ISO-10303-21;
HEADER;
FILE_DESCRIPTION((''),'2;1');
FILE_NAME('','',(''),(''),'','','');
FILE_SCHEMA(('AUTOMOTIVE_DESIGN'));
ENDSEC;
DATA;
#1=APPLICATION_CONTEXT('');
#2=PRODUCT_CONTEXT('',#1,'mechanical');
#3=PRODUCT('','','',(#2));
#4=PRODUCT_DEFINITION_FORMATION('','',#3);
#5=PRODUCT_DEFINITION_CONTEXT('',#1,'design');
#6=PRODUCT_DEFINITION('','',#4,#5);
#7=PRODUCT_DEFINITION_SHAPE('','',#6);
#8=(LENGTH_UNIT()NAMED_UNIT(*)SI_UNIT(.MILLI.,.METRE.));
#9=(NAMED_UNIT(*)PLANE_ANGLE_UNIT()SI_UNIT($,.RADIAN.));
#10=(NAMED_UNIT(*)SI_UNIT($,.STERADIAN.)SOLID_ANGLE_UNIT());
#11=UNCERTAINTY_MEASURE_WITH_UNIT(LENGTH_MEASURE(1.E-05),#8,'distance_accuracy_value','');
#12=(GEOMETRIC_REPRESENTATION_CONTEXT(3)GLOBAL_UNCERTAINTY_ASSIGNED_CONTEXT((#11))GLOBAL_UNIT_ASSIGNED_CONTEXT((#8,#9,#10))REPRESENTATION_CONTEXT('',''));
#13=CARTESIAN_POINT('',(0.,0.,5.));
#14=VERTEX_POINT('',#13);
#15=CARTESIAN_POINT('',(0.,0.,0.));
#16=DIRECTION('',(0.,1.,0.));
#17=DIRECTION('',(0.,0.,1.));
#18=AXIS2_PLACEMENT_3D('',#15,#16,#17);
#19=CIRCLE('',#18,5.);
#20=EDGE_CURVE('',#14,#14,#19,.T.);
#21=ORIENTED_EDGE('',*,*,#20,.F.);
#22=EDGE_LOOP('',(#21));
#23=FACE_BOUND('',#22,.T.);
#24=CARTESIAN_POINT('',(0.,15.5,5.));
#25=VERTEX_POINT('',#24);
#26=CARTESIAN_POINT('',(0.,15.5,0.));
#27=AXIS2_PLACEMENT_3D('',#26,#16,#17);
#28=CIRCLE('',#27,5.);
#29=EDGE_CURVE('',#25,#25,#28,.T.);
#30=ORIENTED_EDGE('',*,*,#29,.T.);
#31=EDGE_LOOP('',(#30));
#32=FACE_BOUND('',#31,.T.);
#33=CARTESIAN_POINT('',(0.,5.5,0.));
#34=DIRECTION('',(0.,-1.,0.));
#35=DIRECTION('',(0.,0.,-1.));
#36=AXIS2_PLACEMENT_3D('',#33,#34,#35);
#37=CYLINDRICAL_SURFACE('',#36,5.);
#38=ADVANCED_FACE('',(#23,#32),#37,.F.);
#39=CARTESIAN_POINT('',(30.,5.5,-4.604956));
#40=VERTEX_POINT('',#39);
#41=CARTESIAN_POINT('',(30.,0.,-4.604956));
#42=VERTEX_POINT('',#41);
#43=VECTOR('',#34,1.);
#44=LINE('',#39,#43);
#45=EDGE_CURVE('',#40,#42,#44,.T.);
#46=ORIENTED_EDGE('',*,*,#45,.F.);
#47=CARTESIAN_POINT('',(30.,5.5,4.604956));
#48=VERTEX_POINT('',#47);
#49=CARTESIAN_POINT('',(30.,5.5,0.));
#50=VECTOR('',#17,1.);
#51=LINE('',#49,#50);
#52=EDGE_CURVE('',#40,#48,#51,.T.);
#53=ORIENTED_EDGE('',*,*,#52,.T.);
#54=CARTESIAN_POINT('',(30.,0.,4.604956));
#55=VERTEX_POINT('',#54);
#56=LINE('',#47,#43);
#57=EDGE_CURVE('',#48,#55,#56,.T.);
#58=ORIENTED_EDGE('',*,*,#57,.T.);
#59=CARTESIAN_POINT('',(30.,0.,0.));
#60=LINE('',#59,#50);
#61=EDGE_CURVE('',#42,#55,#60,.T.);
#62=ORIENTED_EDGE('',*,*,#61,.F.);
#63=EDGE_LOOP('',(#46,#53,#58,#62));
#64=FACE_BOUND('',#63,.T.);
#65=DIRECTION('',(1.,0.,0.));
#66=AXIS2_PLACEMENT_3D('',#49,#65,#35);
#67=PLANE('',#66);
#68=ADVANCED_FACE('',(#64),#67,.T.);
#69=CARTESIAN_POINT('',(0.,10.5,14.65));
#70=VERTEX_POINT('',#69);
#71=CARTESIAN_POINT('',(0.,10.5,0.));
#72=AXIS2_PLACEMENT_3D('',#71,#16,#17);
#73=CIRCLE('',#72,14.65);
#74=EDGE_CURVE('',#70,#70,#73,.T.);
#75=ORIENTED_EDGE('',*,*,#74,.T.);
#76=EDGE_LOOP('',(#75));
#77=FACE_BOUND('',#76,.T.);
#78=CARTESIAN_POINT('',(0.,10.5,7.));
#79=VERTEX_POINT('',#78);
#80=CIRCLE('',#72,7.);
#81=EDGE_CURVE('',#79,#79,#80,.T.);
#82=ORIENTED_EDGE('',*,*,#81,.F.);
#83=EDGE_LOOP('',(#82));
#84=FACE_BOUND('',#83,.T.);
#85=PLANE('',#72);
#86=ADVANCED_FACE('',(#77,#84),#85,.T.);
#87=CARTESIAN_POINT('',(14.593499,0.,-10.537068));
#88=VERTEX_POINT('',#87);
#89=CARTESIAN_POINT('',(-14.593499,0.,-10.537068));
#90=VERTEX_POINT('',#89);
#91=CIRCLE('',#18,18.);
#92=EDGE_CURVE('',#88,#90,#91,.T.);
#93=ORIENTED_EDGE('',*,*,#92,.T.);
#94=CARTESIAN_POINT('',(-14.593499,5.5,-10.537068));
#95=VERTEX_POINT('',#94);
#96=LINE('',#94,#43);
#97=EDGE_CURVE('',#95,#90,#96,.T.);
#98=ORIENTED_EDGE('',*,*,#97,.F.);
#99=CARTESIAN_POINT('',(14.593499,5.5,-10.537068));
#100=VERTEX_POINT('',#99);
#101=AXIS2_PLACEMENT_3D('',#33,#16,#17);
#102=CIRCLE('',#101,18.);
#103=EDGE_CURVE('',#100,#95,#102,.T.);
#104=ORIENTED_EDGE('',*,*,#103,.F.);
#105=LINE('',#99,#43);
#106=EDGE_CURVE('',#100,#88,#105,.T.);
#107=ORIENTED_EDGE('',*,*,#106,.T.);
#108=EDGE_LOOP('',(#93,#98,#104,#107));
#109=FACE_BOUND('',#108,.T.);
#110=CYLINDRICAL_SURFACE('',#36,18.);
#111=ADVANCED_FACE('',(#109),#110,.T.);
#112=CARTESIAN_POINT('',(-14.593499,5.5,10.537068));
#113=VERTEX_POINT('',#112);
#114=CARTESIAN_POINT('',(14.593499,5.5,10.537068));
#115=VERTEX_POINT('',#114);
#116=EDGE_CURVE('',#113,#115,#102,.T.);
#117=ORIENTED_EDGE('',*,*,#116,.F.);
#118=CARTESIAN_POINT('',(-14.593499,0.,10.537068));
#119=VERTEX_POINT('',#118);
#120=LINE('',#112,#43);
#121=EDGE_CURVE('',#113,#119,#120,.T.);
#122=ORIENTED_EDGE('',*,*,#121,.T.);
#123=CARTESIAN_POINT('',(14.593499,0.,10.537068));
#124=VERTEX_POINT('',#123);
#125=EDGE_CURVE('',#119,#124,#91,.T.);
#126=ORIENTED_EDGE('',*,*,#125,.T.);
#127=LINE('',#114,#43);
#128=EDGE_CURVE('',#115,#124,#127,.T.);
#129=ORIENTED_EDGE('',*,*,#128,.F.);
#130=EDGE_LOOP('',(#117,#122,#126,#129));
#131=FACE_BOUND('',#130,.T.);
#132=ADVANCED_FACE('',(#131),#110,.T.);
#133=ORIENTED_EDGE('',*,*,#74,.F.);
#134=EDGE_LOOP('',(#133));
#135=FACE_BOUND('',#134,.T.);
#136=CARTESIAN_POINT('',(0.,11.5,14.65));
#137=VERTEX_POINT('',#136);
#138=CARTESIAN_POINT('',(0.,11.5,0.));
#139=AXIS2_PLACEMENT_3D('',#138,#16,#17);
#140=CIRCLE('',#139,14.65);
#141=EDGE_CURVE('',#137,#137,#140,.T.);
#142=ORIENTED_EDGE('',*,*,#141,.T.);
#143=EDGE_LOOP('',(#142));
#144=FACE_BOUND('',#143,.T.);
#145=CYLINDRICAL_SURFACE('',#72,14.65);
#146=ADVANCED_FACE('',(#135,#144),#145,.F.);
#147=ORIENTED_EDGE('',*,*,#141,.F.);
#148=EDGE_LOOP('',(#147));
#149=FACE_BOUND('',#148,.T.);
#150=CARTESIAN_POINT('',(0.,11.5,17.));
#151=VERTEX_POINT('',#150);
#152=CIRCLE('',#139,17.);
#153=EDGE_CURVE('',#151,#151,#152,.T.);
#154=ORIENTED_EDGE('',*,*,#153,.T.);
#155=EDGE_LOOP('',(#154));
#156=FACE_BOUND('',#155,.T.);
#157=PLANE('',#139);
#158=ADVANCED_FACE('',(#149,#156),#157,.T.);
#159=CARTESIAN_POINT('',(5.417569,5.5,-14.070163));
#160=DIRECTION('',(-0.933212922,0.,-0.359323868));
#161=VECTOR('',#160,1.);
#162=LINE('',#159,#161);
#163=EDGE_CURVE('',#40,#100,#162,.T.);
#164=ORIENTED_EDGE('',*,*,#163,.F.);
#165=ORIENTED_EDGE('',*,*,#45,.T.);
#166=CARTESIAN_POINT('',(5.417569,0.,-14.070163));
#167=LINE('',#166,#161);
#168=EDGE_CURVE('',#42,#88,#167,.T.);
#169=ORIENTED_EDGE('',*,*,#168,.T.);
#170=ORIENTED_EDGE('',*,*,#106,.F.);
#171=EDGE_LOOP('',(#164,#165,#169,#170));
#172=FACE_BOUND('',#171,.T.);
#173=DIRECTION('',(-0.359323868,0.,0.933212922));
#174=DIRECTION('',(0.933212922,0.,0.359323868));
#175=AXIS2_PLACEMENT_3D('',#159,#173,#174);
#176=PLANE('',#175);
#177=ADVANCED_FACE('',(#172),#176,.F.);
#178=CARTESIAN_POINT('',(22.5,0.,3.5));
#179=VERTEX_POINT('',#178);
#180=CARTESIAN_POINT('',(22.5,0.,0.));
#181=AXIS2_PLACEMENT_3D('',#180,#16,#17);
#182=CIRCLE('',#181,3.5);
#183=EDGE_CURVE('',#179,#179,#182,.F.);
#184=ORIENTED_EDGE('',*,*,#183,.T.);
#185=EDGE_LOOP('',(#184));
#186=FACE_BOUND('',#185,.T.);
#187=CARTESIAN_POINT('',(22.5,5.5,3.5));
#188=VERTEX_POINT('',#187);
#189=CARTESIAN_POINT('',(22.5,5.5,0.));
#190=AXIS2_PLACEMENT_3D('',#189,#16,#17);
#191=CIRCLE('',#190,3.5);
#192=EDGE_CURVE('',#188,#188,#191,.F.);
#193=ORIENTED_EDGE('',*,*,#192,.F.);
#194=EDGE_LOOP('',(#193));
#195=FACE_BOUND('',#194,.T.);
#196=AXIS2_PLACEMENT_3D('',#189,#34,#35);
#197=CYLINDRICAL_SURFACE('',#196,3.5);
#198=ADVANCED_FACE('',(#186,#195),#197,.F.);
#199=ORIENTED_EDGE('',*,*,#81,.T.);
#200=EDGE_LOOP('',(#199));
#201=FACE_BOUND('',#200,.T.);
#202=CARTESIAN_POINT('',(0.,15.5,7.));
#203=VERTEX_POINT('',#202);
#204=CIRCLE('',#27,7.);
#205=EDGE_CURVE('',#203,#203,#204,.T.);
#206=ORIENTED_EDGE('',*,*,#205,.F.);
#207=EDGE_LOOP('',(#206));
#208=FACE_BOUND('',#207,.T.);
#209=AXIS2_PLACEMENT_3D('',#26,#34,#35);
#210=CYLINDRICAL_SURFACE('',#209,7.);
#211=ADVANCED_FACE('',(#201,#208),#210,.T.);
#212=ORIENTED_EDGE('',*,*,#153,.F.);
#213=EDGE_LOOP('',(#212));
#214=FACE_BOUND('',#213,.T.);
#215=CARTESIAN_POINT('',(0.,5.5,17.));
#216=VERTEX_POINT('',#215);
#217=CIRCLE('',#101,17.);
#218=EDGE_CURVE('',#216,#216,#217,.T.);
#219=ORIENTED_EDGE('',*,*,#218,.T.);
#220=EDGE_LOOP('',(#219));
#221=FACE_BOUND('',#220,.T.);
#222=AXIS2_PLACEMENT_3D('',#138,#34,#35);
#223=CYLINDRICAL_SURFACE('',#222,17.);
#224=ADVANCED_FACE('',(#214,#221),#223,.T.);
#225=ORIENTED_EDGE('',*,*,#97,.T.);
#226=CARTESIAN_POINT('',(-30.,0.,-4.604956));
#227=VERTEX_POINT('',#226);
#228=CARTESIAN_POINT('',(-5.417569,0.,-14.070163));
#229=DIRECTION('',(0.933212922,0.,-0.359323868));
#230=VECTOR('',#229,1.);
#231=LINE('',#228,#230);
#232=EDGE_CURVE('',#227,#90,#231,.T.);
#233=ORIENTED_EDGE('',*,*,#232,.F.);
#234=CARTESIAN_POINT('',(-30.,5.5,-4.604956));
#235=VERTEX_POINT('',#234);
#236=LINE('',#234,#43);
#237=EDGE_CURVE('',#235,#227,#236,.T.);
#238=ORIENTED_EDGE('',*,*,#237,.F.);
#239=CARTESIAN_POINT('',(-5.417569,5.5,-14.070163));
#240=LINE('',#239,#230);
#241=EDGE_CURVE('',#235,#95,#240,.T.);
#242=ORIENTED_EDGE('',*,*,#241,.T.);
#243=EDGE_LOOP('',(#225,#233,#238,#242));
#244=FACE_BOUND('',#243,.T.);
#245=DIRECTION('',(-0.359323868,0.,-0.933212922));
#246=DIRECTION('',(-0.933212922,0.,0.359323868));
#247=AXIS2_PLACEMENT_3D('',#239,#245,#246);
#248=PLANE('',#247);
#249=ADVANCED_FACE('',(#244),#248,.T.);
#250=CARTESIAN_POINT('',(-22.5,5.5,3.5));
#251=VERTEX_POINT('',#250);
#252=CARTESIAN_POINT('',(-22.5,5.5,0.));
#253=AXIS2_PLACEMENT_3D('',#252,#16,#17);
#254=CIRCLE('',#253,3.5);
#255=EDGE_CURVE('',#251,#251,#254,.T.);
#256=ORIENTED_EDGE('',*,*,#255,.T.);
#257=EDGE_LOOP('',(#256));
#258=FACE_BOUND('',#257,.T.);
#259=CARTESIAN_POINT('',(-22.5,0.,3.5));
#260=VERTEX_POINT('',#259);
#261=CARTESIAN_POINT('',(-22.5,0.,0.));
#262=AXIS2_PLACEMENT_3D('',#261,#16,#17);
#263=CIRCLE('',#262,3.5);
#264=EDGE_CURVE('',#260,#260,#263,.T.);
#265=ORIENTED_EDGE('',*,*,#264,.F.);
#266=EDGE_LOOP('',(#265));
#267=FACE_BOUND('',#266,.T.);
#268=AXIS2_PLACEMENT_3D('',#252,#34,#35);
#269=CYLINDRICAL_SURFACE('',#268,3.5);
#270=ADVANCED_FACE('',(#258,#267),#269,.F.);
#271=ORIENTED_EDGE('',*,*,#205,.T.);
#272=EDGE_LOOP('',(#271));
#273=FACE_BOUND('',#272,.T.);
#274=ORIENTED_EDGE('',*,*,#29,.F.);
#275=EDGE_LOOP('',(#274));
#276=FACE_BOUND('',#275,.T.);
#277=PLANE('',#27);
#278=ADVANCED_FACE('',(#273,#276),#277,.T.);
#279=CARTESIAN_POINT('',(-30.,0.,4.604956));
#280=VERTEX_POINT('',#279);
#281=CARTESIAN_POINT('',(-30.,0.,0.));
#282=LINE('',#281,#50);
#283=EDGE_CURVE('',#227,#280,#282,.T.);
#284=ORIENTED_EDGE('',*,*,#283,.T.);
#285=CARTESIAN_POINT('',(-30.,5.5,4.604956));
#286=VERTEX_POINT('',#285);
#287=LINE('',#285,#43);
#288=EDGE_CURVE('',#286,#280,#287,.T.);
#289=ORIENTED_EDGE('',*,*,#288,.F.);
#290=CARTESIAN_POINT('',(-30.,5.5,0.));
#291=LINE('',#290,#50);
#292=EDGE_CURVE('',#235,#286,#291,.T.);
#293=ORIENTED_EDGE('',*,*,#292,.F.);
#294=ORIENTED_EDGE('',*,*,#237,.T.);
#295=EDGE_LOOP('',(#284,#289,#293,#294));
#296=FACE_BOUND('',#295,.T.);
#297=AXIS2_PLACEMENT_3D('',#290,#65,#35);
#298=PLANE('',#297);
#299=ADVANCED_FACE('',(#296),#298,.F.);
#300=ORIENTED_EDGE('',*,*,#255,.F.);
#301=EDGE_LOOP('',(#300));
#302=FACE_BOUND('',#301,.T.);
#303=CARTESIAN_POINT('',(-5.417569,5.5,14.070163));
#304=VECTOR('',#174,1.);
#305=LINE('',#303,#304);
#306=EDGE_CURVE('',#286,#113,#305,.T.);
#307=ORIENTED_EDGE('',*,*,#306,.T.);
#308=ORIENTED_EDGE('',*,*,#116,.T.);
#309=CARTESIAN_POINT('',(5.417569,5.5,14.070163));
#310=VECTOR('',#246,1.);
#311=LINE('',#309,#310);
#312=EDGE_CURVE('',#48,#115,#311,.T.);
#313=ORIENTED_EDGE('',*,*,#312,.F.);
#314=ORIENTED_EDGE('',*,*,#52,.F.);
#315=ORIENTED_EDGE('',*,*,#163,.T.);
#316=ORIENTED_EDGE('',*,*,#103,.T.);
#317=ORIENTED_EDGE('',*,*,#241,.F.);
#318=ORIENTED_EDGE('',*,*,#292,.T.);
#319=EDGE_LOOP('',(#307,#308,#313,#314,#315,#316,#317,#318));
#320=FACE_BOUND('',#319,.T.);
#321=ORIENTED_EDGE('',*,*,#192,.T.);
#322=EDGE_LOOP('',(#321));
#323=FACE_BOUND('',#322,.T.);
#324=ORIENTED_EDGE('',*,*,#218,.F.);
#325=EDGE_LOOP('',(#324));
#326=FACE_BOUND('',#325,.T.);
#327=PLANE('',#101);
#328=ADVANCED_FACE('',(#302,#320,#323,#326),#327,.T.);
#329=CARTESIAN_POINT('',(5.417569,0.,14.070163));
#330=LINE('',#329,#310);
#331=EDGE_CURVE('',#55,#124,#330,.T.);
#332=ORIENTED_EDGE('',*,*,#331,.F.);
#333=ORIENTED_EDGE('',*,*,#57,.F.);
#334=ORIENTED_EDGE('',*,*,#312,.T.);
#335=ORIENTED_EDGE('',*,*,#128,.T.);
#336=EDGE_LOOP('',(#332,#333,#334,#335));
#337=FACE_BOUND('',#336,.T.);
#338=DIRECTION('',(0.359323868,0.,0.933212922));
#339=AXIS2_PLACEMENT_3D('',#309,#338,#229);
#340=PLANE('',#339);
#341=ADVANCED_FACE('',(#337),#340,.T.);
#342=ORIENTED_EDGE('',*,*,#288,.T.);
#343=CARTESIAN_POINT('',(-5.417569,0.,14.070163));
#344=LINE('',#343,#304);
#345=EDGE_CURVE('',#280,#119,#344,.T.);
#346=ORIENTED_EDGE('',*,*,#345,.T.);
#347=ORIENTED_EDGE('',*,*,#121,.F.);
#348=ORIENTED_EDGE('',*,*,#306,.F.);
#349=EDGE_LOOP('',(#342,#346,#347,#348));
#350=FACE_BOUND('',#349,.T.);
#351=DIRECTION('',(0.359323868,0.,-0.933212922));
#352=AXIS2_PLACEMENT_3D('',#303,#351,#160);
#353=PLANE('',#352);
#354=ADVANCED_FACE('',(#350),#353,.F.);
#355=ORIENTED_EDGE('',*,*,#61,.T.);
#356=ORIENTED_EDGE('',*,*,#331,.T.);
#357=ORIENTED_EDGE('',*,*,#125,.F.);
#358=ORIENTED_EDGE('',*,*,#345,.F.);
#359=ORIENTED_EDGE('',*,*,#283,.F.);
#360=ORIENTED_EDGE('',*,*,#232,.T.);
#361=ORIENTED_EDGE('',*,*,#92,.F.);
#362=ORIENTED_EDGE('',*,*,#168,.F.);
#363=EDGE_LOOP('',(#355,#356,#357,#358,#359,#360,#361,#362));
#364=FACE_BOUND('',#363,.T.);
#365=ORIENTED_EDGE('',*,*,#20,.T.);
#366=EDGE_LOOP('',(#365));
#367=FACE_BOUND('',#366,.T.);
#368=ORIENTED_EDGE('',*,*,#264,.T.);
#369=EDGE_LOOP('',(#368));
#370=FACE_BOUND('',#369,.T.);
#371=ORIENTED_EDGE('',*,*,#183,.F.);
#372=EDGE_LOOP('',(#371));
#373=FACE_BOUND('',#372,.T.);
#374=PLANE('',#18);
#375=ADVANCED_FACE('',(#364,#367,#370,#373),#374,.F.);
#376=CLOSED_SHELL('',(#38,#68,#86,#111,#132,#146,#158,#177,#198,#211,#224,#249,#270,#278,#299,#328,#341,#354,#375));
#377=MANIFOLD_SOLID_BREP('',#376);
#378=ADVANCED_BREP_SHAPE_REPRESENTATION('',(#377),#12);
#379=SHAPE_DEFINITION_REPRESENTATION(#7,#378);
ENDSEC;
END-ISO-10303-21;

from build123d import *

# Parameters (mm, degrees)
SKETCH_1_R          = 3.5
SKETCH_1_R_2        = 18
SKETCH_1_R_3        = 5
EXTRUDE_1_DEPTH     = 5.5
SKETCH_2_R          = 17
SKETCH_2_R_2        = 5
EXTRUDE_2_DEPTH     = 6
SKETCH_3_R          = 7
SKETCH_3_R_2        = 5
EXTRUDE_3_DEPTH     = 4
CUT_EXTRUDE_START   = -1
SKETCH_4_R          = 14.65
SKETCH_4_R_2        = 7
CUT_EXTRUDE_1_DEPTH = 1


with BuildPart() as part:
    # 草图1 → 凸台-拉伸1 (new body)
    # profile 1 of 3: a face of its own
    with BuildSketch(Plane(origin=(0, 0, 0), x_dir=(1, 0, 0), z_dir=(0, 1, 0))):
        with BuildLine():
            Line((-14.5934987, 10.537067699), (-30, 4.60495562))
            Line((-30, 4.60495562), (-30, -4.60495562))
            Line((-30, -4.60495562), (-14.5934987, -10.537067699))
            ThreePointArc((-14.5934987, -10.537067699), (-18, 0), (-14.5934987, 10.537067699))
        make_face()
        with Locations(Location((-22.5, 0, 0), (0, 0, 270))):
            Circle(SKETCH_1_R, mode=Mode.SUBTRACT)
    # profile 2 of 3: a face of its own
    with BuildSketch(Plane(origin=(0, 0, 0), x_dir=(1, 0, 0), z_dir=(0, 1, 0))):
        Circle(SKETCH_1_R_2)
        with Locations(Location((0, 0, 0), (0, 0, 270))):
            Circle(SKETCH_1_R_3, mode=Mode.SUBTRACT)
    # profile 3 of 3: a face of its own
    with BuildSketch(Plane(origin=(0, 0, 0), x_dir=(1, 0, 0), z_dir=(0, 1, 0))):
        with BuildLine():
            Line((30, 4.60495562), (14.5934987, 10.537067699))
            ThreePointArc((14.5934987, 10.537067699), (17.127214844, 5.537012886), (18, 0))
            ThreePointArc((18, 0), (17.127214844, -5.537012886), (14.5934987, -10.537067699))
            Line((14.5934987, -10.537067699), (30, -4.60495562))
            Line((30, -4.60495562), (30, 4.60495562))
        make_face()
        with Locations(Location((22.5, 0, 0), (0, 0, 270))):
            Circle(SKETCH_1_R, mode=Mode.SUBTRACT)
    extrude(amount=EXTRUDE_1_DEPTH)

    # 草图2 → 凸台-拉伸2 (add)
    with BuildSketch(Plane(origin=(0, 5.5, 0), x_dir=(1, 0, 0), z_dir=(0, 1, 0))):
        with Locations(Location((0, 0, 0), (0, 0, 270))):
            Circle(SKETCH_2_R)
        with Locations(Location((0, 0, 0), (0, 0, 270))):
            Circle(SKETCH_2_R_2, mode=Mode.SUBTRACT)
    extrude(amount=EXTRUDE_2_DEPTH)

    # 草图3 → 凸台-拉伸3 (add)
    with BuildSketch(Plane(origin=(0, 11.5, 0), x_dir=(1, 0, 0), z_dir=(0, 1, 0))):
        with Locations(Location((0, 0, 0), (0, 0, 270))):
            Circle(SKETCH_3_R)
        with Locations(Location((0, 0, 0), (0, 0, 270))):
            Circle(SKETCH_3_R_2, mode=Mode.SUBTRACT)
    extrude(amount=EXTRUDE_3_DEPTH)

    # 草图4 → 切除-拉伸1 (cut)
    with BuildSketch(Plane(origin=(0, 11.5, 0), x_dir=(1, 0, 0), z_dir=(0, 1, 0)).offset(CUT_EXTRUDE_START)):
        with Locations(Location((0, 0, 0), (0, 0, 270))):
            Circle(SKETCH_4_R)
        with Locations(Location((0, 0, 0), (0, 0, 270))):
            Circle(SKETCH_4_R_2, mode=Mode.SUBTRACT)
    extrude(amount=CUT_EXTRUDE_1_DEPTH, mode=Mode.SUBTRACT)


solid = part.part
